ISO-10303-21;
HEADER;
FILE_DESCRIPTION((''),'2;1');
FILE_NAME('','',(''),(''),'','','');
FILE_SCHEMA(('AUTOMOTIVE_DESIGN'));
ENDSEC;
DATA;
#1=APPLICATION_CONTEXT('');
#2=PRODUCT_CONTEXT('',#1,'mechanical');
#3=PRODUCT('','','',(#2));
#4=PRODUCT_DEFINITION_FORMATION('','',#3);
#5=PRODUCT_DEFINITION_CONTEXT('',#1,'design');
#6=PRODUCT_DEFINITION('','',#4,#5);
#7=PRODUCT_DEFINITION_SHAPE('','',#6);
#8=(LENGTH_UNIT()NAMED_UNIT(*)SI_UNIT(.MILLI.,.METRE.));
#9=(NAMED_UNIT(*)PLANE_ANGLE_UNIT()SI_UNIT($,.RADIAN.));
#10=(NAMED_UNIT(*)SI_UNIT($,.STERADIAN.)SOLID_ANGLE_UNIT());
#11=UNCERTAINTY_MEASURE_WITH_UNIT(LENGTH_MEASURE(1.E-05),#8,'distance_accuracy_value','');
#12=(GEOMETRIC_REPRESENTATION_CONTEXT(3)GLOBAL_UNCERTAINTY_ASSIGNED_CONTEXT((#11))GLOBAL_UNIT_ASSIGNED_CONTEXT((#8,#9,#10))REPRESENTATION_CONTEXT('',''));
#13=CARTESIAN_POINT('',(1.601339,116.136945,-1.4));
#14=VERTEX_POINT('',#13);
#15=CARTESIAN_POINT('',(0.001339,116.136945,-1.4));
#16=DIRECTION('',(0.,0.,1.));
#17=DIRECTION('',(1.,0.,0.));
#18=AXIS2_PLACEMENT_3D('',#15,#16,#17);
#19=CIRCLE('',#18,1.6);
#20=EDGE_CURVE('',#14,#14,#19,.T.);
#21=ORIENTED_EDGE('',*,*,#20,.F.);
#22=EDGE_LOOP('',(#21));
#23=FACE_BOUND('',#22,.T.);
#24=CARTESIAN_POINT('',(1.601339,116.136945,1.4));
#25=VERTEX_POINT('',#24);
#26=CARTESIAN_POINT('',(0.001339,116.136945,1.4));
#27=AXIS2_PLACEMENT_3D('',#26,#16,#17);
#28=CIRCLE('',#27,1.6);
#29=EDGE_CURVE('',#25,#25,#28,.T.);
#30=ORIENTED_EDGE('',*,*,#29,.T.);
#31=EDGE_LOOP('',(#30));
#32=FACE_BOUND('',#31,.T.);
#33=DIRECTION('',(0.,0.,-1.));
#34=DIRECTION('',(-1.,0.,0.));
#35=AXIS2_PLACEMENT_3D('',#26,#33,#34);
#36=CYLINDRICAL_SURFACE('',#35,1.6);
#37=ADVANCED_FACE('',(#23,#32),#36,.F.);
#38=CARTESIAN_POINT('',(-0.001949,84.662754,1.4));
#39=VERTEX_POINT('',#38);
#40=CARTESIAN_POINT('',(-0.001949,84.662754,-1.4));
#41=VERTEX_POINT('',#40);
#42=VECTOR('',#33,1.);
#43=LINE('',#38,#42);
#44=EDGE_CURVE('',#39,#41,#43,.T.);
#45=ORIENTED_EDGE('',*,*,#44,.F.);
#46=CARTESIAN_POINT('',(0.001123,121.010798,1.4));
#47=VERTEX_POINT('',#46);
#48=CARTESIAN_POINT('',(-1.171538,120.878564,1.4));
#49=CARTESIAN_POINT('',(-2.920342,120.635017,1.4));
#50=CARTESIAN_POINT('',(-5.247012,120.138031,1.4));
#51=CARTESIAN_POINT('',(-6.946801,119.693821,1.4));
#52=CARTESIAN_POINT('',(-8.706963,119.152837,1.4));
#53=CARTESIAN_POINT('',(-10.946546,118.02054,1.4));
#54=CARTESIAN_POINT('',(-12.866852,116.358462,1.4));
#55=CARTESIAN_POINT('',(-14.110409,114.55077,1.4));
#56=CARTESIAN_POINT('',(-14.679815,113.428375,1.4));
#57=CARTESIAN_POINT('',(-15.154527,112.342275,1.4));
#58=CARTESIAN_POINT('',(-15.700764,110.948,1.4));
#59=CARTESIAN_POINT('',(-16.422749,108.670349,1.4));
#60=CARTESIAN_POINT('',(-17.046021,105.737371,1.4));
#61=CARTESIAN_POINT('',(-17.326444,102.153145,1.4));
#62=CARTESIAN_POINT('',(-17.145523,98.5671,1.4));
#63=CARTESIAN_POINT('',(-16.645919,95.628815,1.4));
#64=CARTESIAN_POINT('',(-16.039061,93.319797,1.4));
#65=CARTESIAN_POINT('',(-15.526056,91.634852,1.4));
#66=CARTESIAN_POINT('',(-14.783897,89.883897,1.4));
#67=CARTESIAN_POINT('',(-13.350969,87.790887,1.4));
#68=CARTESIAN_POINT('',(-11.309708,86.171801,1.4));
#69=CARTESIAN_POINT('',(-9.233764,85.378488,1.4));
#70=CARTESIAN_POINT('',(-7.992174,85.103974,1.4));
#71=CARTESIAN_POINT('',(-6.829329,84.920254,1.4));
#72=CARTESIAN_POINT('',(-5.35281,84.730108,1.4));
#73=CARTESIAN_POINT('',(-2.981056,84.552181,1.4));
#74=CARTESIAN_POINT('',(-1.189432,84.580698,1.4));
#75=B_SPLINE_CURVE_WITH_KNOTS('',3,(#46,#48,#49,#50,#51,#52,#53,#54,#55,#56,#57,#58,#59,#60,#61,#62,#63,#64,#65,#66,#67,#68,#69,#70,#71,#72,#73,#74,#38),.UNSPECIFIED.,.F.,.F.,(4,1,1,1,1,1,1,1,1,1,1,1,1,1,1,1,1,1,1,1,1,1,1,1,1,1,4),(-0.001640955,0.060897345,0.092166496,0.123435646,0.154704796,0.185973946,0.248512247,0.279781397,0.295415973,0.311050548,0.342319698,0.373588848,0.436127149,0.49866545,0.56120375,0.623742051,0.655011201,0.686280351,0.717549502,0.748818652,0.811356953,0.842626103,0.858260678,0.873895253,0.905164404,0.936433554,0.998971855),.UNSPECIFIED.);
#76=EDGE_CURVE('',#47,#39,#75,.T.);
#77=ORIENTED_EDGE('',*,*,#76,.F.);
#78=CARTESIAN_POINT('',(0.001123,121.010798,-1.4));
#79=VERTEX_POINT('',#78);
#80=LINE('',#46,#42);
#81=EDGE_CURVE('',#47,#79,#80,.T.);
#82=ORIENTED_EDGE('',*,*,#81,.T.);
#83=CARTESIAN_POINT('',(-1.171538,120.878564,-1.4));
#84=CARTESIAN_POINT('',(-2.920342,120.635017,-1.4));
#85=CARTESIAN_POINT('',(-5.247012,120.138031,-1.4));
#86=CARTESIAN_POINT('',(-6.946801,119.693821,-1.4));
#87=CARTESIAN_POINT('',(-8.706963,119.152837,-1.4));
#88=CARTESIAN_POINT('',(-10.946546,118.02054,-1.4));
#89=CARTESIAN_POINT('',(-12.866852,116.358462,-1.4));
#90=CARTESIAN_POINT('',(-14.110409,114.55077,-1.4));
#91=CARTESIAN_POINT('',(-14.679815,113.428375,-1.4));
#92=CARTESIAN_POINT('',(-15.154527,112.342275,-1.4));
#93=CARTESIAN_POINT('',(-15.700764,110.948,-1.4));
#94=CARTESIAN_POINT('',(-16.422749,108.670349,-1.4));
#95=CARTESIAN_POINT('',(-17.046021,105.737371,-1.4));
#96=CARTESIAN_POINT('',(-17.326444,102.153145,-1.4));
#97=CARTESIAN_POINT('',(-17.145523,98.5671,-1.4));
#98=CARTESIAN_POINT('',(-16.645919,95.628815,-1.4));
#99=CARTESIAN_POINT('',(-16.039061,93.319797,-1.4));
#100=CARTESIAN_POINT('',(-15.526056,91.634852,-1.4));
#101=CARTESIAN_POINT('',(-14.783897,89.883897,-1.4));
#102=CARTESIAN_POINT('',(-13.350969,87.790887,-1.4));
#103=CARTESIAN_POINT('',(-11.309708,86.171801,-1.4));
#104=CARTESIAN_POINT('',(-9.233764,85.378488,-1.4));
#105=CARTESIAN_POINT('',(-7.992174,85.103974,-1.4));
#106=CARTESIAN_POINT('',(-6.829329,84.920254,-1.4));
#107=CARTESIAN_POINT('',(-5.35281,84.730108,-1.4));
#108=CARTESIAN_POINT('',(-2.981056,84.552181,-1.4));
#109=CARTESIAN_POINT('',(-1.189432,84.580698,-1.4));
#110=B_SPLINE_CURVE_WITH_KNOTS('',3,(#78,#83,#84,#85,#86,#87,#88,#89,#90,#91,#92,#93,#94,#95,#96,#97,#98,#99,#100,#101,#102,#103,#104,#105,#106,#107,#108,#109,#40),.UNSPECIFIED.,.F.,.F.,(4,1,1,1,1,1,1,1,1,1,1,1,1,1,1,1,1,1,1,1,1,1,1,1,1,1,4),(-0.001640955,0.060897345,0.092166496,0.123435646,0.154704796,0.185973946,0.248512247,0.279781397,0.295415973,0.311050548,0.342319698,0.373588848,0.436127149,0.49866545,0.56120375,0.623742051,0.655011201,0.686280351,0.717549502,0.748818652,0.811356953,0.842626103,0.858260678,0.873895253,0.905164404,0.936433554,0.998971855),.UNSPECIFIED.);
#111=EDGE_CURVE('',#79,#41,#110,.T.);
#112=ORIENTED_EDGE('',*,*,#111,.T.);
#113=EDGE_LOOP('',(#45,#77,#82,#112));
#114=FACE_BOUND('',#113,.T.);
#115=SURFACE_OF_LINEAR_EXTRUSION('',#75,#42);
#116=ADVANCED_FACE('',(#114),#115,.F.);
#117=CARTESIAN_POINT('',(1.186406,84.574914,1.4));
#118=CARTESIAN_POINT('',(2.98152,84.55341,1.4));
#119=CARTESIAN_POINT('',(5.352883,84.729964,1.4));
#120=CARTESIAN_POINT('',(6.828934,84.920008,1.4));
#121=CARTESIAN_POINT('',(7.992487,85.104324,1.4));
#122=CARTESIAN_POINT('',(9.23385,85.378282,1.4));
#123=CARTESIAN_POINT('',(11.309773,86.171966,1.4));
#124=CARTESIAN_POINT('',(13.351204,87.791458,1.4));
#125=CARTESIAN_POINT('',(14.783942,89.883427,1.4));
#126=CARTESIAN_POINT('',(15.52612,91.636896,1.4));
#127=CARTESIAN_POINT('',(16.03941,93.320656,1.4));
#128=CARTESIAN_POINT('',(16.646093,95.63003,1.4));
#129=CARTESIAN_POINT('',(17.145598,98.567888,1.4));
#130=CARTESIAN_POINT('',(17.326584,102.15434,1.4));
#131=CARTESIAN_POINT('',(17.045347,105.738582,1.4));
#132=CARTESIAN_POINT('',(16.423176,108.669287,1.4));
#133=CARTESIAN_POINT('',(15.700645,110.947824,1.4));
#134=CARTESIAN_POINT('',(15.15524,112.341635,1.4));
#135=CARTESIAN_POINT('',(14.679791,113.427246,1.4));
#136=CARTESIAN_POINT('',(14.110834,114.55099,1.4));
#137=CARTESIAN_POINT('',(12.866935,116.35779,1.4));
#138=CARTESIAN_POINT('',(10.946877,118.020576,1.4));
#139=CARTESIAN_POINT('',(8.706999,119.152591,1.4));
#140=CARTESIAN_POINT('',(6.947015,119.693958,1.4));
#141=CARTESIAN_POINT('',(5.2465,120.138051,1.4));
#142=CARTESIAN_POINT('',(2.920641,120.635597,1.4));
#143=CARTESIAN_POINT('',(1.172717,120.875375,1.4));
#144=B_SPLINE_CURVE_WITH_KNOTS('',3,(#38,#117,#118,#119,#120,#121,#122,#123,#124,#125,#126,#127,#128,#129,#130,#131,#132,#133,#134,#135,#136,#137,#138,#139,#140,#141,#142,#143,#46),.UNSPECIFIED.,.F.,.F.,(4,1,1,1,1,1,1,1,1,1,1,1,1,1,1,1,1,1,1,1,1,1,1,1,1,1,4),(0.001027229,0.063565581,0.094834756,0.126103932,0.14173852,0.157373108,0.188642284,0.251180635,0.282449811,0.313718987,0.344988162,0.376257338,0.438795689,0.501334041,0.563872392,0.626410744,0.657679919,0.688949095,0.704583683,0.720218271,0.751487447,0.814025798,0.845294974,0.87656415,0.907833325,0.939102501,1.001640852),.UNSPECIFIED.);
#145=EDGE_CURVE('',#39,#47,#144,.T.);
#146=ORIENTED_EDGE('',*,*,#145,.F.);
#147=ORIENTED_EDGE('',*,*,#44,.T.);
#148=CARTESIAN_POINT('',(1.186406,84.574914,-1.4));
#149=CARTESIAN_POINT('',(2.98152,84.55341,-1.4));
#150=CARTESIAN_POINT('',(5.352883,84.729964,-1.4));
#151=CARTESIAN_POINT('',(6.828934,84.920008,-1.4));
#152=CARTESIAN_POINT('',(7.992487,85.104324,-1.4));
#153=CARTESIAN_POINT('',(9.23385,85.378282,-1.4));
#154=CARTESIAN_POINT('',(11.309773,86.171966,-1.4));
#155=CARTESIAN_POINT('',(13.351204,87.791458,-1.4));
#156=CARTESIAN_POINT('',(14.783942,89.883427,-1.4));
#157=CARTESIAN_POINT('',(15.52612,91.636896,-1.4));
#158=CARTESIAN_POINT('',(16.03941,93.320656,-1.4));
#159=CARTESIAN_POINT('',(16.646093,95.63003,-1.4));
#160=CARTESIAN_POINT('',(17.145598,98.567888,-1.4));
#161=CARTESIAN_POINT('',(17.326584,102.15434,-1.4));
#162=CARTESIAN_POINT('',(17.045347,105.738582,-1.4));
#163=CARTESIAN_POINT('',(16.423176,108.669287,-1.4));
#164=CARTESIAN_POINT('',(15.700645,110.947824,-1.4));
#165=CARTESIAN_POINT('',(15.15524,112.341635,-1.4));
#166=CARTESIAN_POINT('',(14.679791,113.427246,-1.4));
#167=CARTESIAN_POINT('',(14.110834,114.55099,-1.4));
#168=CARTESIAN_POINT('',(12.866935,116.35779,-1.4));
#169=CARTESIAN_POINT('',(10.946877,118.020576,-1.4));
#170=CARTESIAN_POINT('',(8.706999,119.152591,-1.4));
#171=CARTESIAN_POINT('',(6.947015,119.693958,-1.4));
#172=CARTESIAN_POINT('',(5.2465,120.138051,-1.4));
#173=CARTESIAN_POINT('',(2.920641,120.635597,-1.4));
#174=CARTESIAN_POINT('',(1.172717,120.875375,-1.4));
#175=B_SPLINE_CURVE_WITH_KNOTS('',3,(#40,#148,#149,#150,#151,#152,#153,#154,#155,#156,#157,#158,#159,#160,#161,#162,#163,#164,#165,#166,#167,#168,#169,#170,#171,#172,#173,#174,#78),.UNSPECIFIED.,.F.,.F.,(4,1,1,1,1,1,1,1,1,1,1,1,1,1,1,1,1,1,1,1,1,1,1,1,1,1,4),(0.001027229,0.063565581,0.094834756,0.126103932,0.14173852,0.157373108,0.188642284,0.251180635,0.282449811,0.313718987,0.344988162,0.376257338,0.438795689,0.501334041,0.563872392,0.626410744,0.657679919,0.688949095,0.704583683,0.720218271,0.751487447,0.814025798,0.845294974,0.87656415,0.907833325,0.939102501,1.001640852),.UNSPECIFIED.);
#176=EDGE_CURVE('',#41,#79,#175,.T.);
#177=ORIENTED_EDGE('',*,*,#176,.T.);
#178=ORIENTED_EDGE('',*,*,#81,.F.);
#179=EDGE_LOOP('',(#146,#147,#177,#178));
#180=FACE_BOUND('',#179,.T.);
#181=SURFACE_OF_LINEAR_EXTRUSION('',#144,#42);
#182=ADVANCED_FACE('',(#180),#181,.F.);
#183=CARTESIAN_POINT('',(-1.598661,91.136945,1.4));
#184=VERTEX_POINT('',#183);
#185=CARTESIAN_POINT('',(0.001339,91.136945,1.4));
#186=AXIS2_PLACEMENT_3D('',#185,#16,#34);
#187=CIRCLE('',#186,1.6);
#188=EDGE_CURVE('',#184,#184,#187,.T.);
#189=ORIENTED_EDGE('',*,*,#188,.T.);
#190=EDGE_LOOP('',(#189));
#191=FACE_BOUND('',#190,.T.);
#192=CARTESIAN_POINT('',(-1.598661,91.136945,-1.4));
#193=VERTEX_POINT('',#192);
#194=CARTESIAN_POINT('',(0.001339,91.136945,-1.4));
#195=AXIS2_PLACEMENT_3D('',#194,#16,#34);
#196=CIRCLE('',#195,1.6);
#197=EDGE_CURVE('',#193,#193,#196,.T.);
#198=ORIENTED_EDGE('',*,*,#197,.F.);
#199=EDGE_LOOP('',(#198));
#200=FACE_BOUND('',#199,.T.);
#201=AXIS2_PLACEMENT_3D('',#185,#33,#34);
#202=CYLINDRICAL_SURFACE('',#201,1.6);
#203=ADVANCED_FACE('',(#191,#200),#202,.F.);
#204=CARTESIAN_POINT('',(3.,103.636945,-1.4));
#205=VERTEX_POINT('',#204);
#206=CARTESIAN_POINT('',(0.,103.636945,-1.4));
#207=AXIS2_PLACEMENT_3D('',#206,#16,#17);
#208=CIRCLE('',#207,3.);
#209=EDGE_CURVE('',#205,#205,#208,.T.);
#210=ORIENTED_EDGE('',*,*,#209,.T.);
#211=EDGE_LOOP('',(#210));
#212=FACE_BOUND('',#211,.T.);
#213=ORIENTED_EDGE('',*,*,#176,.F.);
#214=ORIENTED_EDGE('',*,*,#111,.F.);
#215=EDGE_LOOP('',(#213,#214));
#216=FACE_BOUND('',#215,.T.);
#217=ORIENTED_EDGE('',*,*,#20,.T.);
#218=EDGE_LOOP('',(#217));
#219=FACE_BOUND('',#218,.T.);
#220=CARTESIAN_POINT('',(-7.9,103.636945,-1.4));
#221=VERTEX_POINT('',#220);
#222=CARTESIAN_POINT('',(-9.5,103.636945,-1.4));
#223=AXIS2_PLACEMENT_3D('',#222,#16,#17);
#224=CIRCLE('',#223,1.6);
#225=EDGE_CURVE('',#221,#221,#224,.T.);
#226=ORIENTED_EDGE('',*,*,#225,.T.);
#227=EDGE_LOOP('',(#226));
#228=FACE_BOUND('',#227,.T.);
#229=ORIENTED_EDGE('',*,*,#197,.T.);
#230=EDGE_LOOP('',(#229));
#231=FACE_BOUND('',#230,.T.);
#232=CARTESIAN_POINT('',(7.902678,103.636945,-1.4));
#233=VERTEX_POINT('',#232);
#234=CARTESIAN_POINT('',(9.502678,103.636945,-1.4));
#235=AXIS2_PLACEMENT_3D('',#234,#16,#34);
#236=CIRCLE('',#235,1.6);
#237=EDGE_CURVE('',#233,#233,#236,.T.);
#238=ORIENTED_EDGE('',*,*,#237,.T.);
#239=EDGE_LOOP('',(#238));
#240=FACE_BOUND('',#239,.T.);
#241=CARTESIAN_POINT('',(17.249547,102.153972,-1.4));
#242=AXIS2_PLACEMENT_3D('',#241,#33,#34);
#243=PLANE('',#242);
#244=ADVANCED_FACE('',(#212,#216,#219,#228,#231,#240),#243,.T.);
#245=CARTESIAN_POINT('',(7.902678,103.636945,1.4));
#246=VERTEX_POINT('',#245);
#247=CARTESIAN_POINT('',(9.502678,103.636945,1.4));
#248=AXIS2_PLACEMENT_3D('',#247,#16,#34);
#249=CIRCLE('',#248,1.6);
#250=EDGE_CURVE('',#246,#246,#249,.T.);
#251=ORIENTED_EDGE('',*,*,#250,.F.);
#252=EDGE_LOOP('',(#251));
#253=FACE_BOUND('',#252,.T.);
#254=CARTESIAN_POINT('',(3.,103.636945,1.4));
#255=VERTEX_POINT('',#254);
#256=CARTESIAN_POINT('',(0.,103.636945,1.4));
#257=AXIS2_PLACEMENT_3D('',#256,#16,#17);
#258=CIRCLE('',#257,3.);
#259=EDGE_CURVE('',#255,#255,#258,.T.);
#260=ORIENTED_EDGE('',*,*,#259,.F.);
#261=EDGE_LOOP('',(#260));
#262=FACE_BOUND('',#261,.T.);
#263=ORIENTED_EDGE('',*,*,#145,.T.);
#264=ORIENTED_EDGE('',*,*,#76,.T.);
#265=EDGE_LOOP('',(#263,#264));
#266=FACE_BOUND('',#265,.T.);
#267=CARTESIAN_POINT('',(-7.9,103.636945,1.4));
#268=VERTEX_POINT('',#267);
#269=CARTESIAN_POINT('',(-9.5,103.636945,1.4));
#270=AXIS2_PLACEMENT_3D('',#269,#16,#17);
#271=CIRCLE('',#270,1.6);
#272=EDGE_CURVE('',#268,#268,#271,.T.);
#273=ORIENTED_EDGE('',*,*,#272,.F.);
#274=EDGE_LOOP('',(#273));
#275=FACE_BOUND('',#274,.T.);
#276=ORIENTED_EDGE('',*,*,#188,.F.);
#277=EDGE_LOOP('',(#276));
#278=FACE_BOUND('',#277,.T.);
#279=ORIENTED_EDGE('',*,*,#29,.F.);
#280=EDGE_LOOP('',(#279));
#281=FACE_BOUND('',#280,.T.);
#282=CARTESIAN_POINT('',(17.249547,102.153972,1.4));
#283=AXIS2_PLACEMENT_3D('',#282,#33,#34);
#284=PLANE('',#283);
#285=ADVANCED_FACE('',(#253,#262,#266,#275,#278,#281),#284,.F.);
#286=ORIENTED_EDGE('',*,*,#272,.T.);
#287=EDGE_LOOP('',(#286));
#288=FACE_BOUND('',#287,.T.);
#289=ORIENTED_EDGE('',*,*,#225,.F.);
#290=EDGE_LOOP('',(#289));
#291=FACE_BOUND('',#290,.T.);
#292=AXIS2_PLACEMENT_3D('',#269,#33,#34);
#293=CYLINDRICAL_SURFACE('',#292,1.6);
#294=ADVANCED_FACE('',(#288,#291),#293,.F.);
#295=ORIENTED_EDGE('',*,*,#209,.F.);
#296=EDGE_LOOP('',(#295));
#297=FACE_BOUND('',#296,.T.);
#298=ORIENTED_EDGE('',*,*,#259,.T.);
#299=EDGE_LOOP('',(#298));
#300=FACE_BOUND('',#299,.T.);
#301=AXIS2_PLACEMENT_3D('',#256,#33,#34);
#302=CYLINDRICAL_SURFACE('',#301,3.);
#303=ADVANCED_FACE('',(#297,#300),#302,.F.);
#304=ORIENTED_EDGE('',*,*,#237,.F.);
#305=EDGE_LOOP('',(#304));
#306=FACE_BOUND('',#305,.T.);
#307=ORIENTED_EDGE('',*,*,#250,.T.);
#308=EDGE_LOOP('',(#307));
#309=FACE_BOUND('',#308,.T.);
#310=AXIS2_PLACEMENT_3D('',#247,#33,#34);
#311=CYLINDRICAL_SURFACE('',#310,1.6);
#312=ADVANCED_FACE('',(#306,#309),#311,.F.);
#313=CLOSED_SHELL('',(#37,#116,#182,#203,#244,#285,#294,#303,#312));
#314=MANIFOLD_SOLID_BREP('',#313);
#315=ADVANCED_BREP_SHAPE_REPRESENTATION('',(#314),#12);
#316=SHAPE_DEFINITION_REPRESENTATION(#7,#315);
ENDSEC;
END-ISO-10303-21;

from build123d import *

# Parameters (mm, degrees)
SKETCH_1_R      = 3
SKETCH_1_R_2    = 1.6
EXTRUDE_1_DEPTH = 1.4


with BuildPart() as part:
    # Эскиз1 → Бобышка-Вытянуть1 (new, symmetric)
    with BuildSketch(Plane.XY):
        with BuildLine():
            add(Edge.make_bspline(
                [(0.001122719, 121.010798342), (-1.171537777, 120.878564334), (-2.920342404, 120.635017485), (-5.247011767, 120.138030638), (-6.946800778, 119.69382144), (-8.706962648, 119.152836869), (-10.946545964, 118.020539751), (-12.866852389, 116.358462009), (-14.110408646, 114.55076963), (-14.679815244, 113.428374891), (-15.154527423, 112.342274587), (-15.700764451, 110.9480002), (-16.422748754, 108.670349078), (-17.04602107, 105.737371487), (-17.32644385, 102.153144608), (-17.145523196, 98.567099912), (-16.645918818, 95.628814641), (-16.039061045, 93.319797301), (-15.5260557, 91.634852262), (-14.783897478, 89.88389692), (-13.350969306, 87.790887142), (-11.309708093, 86.171801095), (-9.23376402, 85.37848751), (-7.992173717, 85.10397433), (-6.829329308, 84.920254061), (-5.352810016, 84.730108117), (-2.981055745, 84.55218118), (-1.18943239, 84.580698193), (-0.001948516, 84.662753882)],
                knots=[-0.001640955, -0.001640955, -0.001640955, -0.001640955, 0.060897345, 0.092166496, 0.123435646, 0.154704796, 0.185973946, 0.248512247, 0.279781397, 0.295415973, 0.311050548, 0.342319698, 0.373588848, 0.436127149, 0.49866545, 0.56120375, 0.623742051, 0.655011201, 0.686280351, 0.717549502, 0.748818652, 0.811356953, 0.842626103, 0.858260678, 0.873895253, 0.905164404, 0.936433554, 0.998971855, 0.998971855, 0.998971855, 0.998971855], degree=3))
            add(Edge.make_bspline(
                [(-0.001948516, 84.662753882), (1.186405897, 84.574913724), (2.981520197, 84.553409912), (5.352882576, 84.72996369), (6.828933856, 84.920007559), (7.992486819, 85.10432361), (9.233850055, 85.378281966), (11.309773393, 86.171966045), (13.351203758, 87.791458364), (14.783942442, 89.883427402), (15.526120315, 91.636895952), (16.039409913, 93.320656443), (16.646093116, 95.630029551), (17.145598213, 98.567887787), (17.326583953, 102.154340228), (17.045346777, 105.738581877), (16.423176495, 108.669286984), (15.700645475, 110.947823695), (15.155239529, 112.341634894), (14.679791368, 113.42724638), (14.110834256, 114.550989633), (12.866935438, 116.357789729), (10.94687662, 118.02057599), (8.706999484, 119.152590802), (6.947014559, 119.693958367), (5.246499604, 120.138050756), (2.920641381, 120.635596611), (1.17271692, 120.875374778), (0.001122719, 121.010798342)],
                knots=[0.001027229, 0.001027229, 0.001027229, 0.001027229, 0.063565581, 0.094834756, 0.126103932, 0.14173852, 0.157373108, 0.188642284, 0.251180635, 0.282449811, 0.313718987, 0.344988162, 0.376257338, 0.438795689, 0.501334041, 0.563872392, 0.626410744, 0.657679919, 0.688949095, 0.704583683, 0.720218271, 0.751487447, 0.814025798, 0.845294974, 0.87656415, 0.907833325, 0.939102501, 1.001640852, 1.001640852, 1.001640852, 1.001640852], degree=3))
        make_face()
        with Locations((0, 103.636945021)):
            Circle(SKETCH_1_R, mode=Mode.SUBTRACT)
        with Locations((0.001338806, 116.136944949)):
            Circle(SKETCH_1_R_2, mode=Mode.SUBTRACT)
        with Locations((-9.5, 103.636945021)):
            Circle(SKETCH_1_R_2, mode=Mode.SUBTRACT)
        with Locations(Location((0.001338806, 91.136945092, 0), (0, 0, 180))):
            Circle(SKETCH_1_R_2, mode=Mode.SUBTRACT)
        with Locations(Location((9.502677611, 103.636945021, 0), (0, 0, 180))):
            Circle(SKETCH_1_R_2, mode=Mode.SUBTRACT)
    extrude(amount=EXTRUDE_1_DEPTH, both=True)


solid = part.part
